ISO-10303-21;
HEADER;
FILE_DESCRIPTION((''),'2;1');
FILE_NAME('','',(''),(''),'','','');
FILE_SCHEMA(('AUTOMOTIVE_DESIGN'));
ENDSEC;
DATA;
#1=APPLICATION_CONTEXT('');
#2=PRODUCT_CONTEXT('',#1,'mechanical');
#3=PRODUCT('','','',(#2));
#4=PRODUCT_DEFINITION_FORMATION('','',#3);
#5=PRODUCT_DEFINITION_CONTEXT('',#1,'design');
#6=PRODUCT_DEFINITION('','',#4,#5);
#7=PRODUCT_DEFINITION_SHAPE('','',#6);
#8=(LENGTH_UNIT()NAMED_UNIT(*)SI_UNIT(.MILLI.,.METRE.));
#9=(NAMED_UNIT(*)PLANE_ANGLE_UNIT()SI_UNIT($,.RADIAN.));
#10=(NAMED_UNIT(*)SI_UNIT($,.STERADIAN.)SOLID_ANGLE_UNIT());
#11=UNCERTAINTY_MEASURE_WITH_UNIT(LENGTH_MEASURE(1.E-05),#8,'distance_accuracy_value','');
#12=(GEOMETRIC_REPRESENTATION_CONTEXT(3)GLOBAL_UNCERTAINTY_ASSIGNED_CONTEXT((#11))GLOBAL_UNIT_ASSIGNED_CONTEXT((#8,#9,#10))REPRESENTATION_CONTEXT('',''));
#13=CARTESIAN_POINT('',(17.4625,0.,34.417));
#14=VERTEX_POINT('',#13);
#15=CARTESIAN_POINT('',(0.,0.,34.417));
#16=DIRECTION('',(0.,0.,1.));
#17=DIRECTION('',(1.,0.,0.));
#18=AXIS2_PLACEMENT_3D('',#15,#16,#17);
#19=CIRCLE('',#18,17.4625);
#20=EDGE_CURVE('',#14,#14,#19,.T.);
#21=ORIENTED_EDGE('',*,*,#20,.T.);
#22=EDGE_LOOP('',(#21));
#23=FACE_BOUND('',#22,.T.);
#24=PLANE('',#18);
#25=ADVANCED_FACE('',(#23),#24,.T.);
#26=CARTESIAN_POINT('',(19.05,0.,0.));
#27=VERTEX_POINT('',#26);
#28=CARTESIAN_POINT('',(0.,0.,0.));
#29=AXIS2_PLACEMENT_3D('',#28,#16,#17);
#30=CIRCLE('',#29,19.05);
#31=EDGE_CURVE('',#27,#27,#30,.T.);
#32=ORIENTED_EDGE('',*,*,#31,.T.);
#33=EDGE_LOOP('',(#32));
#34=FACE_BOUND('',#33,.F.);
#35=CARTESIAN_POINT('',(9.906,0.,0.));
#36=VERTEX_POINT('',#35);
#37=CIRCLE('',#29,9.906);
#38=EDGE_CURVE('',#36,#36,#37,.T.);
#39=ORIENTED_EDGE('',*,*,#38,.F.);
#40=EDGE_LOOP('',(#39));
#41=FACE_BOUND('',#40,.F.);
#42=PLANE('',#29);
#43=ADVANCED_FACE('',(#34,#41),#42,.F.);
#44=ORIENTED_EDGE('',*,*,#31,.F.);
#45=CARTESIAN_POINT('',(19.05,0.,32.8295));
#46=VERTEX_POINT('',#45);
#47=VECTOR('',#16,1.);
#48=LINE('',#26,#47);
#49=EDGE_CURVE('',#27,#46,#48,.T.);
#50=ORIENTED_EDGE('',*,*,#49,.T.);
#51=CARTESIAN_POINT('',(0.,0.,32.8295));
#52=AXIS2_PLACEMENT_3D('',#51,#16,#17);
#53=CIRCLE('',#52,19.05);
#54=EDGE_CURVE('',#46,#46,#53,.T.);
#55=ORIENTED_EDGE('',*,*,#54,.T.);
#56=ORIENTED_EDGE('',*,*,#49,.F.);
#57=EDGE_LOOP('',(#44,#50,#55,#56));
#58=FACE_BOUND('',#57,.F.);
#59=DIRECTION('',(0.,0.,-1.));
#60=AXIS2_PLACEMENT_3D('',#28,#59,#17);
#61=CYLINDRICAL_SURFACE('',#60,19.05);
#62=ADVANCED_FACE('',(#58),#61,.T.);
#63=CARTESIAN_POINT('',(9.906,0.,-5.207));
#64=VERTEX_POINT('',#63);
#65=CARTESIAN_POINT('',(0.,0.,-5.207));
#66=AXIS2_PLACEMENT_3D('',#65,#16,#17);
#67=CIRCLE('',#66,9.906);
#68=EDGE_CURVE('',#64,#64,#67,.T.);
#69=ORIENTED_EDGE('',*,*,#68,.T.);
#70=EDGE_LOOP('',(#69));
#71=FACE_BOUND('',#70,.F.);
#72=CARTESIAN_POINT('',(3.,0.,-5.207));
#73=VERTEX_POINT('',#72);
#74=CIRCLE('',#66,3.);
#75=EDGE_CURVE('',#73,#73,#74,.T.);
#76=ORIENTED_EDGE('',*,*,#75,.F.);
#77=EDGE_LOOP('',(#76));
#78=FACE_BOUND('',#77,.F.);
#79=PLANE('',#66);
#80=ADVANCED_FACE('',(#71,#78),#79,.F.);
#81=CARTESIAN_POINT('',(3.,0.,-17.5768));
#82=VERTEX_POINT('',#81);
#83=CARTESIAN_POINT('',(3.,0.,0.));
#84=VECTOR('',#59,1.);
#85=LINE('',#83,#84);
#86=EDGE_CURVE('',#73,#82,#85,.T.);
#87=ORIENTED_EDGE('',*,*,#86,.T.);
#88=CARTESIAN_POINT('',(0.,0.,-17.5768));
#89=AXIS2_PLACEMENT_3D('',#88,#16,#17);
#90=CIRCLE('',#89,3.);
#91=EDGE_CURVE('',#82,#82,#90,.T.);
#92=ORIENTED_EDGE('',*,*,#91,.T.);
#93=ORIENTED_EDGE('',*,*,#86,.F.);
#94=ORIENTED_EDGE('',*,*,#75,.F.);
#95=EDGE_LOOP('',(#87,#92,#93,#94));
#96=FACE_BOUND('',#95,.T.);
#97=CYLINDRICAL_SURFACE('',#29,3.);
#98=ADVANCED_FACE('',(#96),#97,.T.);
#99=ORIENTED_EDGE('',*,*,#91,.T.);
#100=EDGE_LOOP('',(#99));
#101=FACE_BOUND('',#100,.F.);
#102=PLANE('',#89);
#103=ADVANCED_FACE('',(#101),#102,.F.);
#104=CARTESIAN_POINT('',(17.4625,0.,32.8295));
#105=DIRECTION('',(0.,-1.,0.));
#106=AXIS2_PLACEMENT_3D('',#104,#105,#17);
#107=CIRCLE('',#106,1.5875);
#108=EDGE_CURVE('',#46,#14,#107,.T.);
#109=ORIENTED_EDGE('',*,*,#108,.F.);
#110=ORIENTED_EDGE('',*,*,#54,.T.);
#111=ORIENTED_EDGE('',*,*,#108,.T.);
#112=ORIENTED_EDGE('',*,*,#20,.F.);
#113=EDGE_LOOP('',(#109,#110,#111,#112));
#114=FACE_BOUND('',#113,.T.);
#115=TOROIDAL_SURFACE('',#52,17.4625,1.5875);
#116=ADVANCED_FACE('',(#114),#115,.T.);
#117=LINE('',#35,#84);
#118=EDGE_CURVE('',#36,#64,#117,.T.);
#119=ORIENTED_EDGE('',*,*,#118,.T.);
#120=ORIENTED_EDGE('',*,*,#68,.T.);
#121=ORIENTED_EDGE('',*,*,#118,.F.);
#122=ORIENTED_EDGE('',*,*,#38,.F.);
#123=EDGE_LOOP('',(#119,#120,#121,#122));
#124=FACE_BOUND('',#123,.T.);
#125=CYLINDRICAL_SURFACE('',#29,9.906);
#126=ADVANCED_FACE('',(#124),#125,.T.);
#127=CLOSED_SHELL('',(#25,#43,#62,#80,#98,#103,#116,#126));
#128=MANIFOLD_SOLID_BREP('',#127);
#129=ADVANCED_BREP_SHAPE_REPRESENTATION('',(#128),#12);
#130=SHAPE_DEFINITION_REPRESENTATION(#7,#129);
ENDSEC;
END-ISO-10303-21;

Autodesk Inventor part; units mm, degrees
ref_plane "YZ Plane" through (0, 0, 0) normal (1, 0, 0) x (0, 1, 0)
ref_plane "XZ Plane" through (0, 0, 0) normal (0, 1, 0) x (-1, 0, 0)
ref_plane "XY Plane" through (0, 0, 0) normal (0, 0, 1) x (1, 0, 0)
sketch "Sketch1" plane through (0, 0, 0) normal (0, 0, 1) x (1, 0, 0)
  circle A0 centre (0, 0) radius 19.05
  circle A1 centre (0, 0) radius 9.906
  circle A2 centre (0, 0) radius 3
  dimension "d0" = 38.1
  dimension "d1" = 19.812
  dimension "d2" = 6
extrude "Extrusion1" add sketch "Sketch1" along normal blind 34.417 contours A0 | A1 | A2
extrude "Extrusion2" add sketch "Sketch1" against normal blind 5.207 contours A1
extrude "Extrusion3" add sketch "Sketch1" against normal blind 17.5768 contours A2
fillet "Fillet1" radius 1.5875 1 edges at (-19.05, 0, 34.417)
properties part number "OpticalRotaryEncoder"
